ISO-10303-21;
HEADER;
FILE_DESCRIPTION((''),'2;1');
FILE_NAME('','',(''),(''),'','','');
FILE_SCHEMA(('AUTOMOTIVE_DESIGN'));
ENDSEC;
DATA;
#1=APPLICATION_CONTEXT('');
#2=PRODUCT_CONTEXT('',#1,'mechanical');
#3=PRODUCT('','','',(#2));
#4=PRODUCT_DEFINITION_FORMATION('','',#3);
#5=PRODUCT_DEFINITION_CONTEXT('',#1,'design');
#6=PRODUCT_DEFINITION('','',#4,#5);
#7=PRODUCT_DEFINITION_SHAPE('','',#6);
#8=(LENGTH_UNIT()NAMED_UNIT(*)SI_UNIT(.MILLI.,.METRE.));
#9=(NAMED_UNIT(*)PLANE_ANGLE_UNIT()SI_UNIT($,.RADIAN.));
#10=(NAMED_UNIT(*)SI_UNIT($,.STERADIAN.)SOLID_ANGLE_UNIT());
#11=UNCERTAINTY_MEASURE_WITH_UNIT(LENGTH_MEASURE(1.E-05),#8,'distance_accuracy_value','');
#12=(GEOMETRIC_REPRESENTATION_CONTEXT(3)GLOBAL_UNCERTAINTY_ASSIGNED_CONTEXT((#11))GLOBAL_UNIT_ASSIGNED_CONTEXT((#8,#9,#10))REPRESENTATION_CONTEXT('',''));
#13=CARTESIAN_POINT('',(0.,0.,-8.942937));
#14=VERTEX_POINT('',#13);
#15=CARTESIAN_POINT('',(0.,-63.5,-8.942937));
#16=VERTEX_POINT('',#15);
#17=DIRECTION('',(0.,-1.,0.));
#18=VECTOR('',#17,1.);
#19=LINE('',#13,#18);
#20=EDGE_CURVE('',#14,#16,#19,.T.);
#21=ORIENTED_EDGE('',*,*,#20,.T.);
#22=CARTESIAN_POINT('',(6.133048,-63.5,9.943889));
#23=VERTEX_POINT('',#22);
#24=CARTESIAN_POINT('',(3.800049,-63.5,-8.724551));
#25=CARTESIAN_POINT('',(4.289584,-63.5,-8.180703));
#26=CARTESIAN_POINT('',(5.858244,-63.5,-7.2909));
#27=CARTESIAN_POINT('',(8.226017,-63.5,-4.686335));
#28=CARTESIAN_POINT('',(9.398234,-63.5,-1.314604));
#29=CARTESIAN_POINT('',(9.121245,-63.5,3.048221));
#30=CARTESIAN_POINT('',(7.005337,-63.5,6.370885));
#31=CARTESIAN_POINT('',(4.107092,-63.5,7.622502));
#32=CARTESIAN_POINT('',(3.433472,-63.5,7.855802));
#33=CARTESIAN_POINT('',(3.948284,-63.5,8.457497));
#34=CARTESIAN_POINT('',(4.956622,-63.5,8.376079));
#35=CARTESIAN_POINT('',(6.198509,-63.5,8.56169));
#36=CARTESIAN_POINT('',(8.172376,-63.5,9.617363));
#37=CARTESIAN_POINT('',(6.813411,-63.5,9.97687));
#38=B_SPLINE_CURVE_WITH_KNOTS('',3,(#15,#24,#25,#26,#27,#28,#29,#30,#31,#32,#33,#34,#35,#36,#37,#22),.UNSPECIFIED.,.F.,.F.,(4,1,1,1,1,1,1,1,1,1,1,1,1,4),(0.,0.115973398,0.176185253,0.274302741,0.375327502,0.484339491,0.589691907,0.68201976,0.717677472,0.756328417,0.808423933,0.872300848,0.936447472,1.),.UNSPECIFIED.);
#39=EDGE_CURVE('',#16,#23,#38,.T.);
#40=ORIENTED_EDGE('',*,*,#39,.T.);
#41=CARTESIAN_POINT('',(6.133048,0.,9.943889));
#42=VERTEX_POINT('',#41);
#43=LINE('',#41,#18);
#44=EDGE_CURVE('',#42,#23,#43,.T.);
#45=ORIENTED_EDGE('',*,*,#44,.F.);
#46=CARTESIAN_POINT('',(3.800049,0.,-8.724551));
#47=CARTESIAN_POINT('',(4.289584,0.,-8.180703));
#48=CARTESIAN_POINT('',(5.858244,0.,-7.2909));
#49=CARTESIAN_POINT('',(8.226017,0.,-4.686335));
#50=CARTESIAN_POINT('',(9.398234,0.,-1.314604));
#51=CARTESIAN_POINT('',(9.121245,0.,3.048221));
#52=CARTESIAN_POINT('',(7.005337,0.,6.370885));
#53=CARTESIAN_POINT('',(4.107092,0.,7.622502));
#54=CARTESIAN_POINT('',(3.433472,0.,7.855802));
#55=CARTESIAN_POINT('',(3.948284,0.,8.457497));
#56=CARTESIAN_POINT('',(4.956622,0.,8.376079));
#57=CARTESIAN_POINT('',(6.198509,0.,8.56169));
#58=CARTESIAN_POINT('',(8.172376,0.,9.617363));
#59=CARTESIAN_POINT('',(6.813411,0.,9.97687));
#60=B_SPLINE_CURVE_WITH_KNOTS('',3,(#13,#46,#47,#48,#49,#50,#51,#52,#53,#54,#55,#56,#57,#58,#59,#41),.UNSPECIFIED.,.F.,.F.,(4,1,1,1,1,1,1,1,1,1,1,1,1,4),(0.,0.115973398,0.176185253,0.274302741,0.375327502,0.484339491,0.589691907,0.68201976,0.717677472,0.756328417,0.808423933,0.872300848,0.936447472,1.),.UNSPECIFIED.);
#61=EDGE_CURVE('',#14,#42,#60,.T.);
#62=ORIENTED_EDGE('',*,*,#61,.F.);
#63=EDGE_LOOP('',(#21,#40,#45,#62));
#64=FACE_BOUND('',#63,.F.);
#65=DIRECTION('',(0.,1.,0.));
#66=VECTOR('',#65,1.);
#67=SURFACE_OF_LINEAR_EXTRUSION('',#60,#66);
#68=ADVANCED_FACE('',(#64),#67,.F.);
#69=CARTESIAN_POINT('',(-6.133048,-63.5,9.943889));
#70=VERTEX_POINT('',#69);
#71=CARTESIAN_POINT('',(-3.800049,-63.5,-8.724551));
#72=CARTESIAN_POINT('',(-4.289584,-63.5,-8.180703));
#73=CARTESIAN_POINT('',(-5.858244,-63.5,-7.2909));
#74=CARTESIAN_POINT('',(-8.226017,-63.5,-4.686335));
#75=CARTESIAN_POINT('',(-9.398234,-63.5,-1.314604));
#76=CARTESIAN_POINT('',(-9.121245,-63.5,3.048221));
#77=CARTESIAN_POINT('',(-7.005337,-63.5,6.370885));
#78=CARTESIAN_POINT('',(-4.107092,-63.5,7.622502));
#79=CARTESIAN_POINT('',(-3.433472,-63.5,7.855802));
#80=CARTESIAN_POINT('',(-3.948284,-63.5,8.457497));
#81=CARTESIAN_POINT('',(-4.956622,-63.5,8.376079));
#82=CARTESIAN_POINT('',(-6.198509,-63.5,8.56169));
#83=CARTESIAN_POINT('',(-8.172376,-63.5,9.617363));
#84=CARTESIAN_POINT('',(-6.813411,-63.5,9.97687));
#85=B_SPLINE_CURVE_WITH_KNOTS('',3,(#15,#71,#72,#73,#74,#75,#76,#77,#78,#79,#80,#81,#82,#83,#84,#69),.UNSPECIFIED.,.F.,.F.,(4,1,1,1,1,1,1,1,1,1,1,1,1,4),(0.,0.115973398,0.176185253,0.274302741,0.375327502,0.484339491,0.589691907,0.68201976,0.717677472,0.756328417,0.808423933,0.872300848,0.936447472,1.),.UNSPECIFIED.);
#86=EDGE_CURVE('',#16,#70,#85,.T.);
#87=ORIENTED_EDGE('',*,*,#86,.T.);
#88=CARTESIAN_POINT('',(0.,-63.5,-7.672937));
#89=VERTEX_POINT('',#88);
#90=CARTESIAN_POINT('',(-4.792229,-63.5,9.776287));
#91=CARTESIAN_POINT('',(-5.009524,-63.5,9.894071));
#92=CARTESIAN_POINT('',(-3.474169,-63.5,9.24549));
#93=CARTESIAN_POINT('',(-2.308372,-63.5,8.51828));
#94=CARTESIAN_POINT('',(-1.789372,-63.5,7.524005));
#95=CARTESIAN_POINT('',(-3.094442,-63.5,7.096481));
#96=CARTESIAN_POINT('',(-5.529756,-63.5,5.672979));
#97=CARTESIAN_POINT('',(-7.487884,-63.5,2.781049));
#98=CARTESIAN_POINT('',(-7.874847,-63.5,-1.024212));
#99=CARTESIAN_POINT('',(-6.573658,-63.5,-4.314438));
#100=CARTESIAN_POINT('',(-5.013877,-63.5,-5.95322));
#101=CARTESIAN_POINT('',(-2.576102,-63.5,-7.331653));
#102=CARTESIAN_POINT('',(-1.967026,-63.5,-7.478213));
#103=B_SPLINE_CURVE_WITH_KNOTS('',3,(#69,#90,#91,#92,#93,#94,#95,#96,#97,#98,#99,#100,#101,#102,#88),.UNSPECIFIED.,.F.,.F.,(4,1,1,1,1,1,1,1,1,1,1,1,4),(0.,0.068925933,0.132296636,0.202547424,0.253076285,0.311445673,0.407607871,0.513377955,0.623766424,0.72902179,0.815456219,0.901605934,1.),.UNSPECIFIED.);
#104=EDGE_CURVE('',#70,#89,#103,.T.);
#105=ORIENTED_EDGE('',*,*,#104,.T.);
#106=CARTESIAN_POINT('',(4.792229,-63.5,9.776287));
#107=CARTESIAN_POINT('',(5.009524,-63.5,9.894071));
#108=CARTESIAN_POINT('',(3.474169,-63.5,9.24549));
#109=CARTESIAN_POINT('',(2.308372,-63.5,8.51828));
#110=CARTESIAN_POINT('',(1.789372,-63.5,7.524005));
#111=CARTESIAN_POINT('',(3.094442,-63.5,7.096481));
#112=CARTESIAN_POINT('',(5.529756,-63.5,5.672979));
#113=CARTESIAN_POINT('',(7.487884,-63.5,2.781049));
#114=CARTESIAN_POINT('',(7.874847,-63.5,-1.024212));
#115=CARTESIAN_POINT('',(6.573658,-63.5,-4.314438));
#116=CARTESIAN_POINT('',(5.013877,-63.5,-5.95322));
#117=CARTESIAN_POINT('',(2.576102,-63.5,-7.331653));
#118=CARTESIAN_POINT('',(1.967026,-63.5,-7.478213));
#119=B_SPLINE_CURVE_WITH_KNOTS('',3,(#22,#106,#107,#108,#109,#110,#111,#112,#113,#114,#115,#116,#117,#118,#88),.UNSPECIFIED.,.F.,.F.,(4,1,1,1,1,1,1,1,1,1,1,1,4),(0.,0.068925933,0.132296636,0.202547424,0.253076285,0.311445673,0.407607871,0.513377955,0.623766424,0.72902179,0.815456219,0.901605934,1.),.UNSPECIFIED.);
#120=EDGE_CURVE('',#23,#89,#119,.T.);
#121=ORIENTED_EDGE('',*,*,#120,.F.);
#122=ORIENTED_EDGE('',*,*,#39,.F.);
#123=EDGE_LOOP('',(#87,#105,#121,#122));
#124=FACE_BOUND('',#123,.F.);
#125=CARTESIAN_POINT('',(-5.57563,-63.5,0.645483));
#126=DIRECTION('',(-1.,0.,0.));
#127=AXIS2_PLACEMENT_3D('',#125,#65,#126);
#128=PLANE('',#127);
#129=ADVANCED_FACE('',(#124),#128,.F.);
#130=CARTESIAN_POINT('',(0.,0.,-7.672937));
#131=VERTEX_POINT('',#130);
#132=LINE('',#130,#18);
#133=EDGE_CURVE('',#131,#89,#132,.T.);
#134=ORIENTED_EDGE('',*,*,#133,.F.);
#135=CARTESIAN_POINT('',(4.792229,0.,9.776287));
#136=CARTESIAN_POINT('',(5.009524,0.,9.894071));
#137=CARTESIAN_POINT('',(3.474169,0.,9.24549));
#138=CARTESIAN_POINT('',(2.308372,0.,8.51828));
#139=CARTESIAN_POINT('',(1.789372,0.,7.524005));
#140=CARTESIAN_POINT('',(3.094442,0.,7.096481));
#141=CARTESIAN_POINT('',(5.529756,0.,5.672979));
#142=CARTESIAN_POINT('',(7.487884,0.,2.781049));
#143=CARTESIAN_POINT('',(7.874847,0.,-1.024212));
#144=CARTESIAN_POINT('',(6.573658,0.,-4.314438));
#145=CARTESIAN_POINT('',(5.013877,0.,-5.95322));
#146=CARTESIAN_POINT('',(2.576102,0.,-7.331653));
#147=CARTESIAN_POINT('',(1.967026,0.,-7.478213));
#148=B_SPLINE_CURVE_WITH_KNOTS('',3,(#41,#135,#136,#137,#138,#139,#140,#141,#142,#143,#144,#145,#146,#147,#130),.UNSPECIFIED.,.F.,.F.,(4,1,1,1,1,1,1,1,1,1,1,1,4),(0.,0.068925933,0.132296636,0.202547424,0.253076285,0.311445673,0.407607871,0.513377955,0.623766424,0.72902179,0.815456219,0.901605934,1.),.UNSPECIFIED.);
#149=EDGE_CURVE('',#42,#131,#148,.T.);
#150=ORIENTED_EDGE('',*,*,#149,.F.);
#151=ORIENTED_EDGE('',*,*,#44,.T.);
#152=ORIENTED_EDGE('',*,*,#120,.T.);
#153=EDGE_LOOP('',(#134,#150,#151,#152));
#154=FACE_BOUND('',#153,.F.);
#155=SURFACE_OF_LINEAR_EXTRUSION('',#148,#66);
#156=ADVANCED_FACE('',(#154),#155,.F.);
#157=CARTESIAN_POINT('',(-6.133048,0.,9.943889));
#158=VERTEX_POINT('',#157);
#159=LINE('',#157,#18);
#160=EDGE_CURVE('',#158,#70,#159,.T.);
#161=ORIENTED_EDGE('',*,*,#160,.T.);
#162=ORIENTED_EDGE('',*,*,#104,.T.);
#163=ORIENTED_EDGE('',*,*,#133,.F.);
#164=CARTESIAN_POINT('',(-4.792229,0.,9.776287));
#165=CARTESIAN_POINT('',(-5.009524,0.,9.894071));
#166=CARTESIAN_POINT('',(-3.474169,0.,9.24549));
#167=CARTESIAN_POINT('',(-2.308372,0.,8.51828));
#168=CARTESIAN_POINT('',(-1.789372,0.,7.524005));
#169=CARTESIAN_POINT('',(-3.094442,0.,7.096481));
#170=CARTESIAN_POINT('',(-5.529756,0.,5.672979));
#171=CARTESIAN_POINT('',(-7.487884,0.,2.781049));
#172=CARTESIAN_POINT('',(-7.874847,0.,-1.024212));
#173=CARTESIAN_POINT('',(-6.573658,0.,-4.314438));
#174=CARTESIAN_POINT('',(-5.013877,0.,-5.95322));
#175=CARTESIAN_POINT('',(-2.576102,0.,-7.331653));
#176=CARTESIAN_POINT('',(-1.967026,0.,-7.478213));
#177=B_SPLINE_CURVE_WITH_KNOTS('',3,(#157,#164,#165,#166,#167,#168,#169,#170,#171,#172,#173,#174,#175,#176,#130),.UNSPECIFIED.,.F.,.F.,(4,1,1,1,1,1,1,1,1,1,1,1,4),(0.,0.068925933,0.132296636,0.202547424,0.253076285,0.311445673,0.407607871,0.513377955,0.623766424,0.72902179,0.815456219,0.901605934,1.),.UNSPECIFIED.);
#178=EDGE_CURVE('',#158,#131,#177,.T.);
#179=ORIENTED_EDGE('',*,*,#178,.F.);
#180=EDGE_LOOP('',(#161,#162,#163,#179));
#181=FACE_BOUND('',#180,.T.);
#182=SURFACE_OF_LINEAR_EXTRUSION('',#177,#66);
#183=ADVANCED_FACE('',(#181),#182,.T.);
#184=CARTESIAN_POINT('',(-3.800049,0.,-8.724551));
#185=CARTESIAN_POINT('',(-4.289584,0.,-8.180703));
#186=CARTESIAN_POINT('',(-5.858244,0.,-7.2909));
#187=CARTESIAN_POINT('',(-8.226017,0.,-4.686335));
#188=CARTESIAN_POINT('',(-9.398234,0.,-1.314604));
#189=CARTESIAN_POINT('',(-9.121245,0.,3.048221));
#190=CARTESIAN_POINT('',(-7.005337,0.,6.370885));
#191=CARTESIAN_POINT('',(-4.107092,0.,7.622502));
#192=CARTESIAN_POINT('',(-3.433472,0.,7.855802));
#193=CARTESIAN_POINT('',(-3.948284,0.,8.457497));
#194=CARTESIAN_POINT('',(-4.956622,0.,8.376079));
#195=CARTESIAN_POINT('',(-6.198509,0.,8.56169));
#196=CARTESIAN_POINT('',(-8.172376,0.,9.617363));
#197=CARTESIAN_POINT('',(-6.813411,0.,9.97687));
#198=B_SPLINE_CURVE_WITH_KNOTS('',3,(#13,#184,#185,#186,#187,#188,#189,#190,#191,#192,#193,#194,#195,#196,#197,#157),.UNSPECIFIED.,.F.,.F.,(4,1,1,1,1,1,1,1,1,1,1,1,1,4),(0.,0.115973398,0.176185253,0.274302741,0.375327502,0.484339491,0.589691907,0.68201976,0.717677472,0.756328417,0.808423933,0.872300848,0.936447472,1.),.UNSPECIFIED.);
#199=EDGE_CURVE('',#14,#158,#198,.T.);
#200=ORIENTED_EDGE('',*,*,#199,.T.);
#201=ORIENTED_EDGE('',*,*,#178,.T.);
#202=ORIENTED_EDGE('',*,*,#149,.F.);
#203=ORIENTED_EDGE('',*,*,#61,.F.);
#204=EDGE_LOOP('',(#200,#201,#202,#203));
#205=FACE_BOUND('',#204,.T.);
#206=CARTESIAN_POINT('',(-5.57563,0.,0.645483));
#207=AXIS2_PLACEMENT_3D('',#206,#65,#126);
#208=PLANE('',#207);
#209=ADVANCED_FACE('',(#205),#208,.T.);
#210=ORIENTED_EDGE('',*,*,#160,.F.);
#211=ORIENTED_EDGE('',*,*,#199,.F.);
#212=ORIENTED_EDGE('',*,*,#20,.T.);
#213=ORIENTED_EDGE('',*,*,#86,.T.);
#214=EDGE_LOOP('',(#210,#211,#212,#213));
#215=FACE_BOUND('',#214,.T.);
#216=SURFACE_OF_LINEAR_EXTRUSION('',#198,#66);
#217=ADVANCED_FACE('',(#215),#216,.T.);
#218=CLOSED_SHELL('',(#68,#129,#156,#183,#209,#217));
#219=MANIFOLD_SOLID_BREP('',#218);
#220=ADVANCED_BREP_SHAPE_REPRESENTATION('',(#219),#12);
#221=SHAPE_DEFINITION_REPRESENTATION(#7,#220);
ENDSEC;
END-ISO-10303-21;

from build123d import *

# Parameters (mm, degrees)
F1_DEPTH = 63.5


with BuildPart() as f1:
    # F0 (on Front) → F1 (new body)
    with BuildSketch(Plane.XZ):
        with BuildLine():
            add(Edge.make_bspline(
                [(-6.1330478638, 9.943889454), (-4.7922289701, 9.7762867567), (-5.0095241814, 9.8940708285), (-3.4741687225, 9.2454902631), (-2.3083718698, 8.5182804722), (-1.7893719276, 7.5240053694), (-3.0944422928, 7.0964810267), (-5.5297561595, 5.6729793597), (-7.487883745, 2.7810494729), (-7.8748466228, -1.0242118405), (-6.5736578826, -4.3144384796), (-5.0138765567, -5.9532202493), (-2.5761016565, -7.3316526289), (-1.9670255967, -7.4782127217), (0, -7.6729371212)],
                knots=[0, 0, 0, 0, 0.0689259333, 0.132296636, 0.202547424, 0.2530762854, 0.3114456731, 0.4076078713, 0.5133779549, 0.6237664243, 0.7290217897, 0.8154562191, 0.9016059341, 1, 1, 1, 1], degree=3))
            add(Edge.make_bspline(
                [(0, -8.9429371212), (-3.800049017, -8.7245511444), (-4.2895839953, -8.1807025795), (-5.8582438642, -7.2908995445), (-8.22601688, -4.6863354327), (-9.3982335021, -1.3146036136), (-9.1212447472, 3.0482207946), (-7.0053368287, 6.3708849979), (-4.1070921822, 7.6225020382), (-3.4334717303, 7.8558024408), (-3.9482841386, 8.457497487), (-4.9566220529, 8.3760792464), (-6.1985093902, 8.5616895053), (-8.1723764045, 9.6173634847), (-6.8134111768, 9.9768701281), (-6.1330478638, 9.943889454)],
                knots=[0, 0, 0, 0, 0.1159733983, 0.1761852529, 0.2743027412, 0.3753275019, 0.4843394905, 0.5896919065, 0.6820197604, 0.7176774723, 0.7563284171, 0.8084239327, 0.8723008479, 0.9364474721, 1, 1, 1, 1], degree=3))
            Line((0, -8.9429371212), (0, -7.6729371212))
        make_face()
        with BuildLine():
            add(Edge.make_bspline(
                [(6.1330478638, 9.943889454), (4.7922289701, 9.7762867567), (5.0095241814, 9.8940708285), (3.4741687225, 9.2454902631), (2.3083718698, 8.5182804722), (1.7893719276, 7.5240053694), (3.0944422928, 7.0964810267), (5.5297561595, 5.6729793597), (7.487883745, 2.7810494729), (7.8748466228, -1.0242118405), (6.5736578826, -4.3144384796), (5.0138765567, -5.9532202493), (2.5761016565, -7.3316526289), (1.9670255967, -7.4782127217), (0, -7.6729371212)],
                knots=[0, 0, 0, 0, 0.0689259333, 0.132296636, 0.202547424, 0.2530762854, 0.3114456731, 0.4076078713, 0.5133779549, 0.6237664243, 0.7290217897, 0.8154562191, 0.9016059341, 1, 1, 1, 1], degree=3))
            Line((0, -7.6729371212), (0, -8.9429371212))
            add(Edge.make_bspline(
                [(0, -8.9429371212), (3.800049017, -8.7245511444), (4.2895839953, -8.1807025795), (5.8582438642, -7.2908995445), (8.22601688, -4.6863354327), (9.3982335021, -1.3146036136), (9.1212447472, 3.0482207946), (7.0053368287, 6.3708849979), (4.1070921822, 7.6225020382), (3.4334717303, 7.8558024408), (3.9482841386, 8.457497487), (4.9566220529, 8.3760792464), (6.1985093902, 8.5616895053), (8.1723764045, 9.6173634847), (6.8134111768, 9.9768701281), (6.1330478638, 9.943889454)],
                knots=[0, 0, 0, 0, 0.1159733983, 0.1761852529, 0.2743027412, 0.3753275019, 0.4843394905, 0.5896919065, 0.6820197604, 0.7176774723, 0.7563284171, 0.8084239327, 0.8723008479, 0.9364474721, 1, 1, 1, 1], degree=3))
        make_face()
    extrude(amount=F1_DEPTH)


solid = f1.part
